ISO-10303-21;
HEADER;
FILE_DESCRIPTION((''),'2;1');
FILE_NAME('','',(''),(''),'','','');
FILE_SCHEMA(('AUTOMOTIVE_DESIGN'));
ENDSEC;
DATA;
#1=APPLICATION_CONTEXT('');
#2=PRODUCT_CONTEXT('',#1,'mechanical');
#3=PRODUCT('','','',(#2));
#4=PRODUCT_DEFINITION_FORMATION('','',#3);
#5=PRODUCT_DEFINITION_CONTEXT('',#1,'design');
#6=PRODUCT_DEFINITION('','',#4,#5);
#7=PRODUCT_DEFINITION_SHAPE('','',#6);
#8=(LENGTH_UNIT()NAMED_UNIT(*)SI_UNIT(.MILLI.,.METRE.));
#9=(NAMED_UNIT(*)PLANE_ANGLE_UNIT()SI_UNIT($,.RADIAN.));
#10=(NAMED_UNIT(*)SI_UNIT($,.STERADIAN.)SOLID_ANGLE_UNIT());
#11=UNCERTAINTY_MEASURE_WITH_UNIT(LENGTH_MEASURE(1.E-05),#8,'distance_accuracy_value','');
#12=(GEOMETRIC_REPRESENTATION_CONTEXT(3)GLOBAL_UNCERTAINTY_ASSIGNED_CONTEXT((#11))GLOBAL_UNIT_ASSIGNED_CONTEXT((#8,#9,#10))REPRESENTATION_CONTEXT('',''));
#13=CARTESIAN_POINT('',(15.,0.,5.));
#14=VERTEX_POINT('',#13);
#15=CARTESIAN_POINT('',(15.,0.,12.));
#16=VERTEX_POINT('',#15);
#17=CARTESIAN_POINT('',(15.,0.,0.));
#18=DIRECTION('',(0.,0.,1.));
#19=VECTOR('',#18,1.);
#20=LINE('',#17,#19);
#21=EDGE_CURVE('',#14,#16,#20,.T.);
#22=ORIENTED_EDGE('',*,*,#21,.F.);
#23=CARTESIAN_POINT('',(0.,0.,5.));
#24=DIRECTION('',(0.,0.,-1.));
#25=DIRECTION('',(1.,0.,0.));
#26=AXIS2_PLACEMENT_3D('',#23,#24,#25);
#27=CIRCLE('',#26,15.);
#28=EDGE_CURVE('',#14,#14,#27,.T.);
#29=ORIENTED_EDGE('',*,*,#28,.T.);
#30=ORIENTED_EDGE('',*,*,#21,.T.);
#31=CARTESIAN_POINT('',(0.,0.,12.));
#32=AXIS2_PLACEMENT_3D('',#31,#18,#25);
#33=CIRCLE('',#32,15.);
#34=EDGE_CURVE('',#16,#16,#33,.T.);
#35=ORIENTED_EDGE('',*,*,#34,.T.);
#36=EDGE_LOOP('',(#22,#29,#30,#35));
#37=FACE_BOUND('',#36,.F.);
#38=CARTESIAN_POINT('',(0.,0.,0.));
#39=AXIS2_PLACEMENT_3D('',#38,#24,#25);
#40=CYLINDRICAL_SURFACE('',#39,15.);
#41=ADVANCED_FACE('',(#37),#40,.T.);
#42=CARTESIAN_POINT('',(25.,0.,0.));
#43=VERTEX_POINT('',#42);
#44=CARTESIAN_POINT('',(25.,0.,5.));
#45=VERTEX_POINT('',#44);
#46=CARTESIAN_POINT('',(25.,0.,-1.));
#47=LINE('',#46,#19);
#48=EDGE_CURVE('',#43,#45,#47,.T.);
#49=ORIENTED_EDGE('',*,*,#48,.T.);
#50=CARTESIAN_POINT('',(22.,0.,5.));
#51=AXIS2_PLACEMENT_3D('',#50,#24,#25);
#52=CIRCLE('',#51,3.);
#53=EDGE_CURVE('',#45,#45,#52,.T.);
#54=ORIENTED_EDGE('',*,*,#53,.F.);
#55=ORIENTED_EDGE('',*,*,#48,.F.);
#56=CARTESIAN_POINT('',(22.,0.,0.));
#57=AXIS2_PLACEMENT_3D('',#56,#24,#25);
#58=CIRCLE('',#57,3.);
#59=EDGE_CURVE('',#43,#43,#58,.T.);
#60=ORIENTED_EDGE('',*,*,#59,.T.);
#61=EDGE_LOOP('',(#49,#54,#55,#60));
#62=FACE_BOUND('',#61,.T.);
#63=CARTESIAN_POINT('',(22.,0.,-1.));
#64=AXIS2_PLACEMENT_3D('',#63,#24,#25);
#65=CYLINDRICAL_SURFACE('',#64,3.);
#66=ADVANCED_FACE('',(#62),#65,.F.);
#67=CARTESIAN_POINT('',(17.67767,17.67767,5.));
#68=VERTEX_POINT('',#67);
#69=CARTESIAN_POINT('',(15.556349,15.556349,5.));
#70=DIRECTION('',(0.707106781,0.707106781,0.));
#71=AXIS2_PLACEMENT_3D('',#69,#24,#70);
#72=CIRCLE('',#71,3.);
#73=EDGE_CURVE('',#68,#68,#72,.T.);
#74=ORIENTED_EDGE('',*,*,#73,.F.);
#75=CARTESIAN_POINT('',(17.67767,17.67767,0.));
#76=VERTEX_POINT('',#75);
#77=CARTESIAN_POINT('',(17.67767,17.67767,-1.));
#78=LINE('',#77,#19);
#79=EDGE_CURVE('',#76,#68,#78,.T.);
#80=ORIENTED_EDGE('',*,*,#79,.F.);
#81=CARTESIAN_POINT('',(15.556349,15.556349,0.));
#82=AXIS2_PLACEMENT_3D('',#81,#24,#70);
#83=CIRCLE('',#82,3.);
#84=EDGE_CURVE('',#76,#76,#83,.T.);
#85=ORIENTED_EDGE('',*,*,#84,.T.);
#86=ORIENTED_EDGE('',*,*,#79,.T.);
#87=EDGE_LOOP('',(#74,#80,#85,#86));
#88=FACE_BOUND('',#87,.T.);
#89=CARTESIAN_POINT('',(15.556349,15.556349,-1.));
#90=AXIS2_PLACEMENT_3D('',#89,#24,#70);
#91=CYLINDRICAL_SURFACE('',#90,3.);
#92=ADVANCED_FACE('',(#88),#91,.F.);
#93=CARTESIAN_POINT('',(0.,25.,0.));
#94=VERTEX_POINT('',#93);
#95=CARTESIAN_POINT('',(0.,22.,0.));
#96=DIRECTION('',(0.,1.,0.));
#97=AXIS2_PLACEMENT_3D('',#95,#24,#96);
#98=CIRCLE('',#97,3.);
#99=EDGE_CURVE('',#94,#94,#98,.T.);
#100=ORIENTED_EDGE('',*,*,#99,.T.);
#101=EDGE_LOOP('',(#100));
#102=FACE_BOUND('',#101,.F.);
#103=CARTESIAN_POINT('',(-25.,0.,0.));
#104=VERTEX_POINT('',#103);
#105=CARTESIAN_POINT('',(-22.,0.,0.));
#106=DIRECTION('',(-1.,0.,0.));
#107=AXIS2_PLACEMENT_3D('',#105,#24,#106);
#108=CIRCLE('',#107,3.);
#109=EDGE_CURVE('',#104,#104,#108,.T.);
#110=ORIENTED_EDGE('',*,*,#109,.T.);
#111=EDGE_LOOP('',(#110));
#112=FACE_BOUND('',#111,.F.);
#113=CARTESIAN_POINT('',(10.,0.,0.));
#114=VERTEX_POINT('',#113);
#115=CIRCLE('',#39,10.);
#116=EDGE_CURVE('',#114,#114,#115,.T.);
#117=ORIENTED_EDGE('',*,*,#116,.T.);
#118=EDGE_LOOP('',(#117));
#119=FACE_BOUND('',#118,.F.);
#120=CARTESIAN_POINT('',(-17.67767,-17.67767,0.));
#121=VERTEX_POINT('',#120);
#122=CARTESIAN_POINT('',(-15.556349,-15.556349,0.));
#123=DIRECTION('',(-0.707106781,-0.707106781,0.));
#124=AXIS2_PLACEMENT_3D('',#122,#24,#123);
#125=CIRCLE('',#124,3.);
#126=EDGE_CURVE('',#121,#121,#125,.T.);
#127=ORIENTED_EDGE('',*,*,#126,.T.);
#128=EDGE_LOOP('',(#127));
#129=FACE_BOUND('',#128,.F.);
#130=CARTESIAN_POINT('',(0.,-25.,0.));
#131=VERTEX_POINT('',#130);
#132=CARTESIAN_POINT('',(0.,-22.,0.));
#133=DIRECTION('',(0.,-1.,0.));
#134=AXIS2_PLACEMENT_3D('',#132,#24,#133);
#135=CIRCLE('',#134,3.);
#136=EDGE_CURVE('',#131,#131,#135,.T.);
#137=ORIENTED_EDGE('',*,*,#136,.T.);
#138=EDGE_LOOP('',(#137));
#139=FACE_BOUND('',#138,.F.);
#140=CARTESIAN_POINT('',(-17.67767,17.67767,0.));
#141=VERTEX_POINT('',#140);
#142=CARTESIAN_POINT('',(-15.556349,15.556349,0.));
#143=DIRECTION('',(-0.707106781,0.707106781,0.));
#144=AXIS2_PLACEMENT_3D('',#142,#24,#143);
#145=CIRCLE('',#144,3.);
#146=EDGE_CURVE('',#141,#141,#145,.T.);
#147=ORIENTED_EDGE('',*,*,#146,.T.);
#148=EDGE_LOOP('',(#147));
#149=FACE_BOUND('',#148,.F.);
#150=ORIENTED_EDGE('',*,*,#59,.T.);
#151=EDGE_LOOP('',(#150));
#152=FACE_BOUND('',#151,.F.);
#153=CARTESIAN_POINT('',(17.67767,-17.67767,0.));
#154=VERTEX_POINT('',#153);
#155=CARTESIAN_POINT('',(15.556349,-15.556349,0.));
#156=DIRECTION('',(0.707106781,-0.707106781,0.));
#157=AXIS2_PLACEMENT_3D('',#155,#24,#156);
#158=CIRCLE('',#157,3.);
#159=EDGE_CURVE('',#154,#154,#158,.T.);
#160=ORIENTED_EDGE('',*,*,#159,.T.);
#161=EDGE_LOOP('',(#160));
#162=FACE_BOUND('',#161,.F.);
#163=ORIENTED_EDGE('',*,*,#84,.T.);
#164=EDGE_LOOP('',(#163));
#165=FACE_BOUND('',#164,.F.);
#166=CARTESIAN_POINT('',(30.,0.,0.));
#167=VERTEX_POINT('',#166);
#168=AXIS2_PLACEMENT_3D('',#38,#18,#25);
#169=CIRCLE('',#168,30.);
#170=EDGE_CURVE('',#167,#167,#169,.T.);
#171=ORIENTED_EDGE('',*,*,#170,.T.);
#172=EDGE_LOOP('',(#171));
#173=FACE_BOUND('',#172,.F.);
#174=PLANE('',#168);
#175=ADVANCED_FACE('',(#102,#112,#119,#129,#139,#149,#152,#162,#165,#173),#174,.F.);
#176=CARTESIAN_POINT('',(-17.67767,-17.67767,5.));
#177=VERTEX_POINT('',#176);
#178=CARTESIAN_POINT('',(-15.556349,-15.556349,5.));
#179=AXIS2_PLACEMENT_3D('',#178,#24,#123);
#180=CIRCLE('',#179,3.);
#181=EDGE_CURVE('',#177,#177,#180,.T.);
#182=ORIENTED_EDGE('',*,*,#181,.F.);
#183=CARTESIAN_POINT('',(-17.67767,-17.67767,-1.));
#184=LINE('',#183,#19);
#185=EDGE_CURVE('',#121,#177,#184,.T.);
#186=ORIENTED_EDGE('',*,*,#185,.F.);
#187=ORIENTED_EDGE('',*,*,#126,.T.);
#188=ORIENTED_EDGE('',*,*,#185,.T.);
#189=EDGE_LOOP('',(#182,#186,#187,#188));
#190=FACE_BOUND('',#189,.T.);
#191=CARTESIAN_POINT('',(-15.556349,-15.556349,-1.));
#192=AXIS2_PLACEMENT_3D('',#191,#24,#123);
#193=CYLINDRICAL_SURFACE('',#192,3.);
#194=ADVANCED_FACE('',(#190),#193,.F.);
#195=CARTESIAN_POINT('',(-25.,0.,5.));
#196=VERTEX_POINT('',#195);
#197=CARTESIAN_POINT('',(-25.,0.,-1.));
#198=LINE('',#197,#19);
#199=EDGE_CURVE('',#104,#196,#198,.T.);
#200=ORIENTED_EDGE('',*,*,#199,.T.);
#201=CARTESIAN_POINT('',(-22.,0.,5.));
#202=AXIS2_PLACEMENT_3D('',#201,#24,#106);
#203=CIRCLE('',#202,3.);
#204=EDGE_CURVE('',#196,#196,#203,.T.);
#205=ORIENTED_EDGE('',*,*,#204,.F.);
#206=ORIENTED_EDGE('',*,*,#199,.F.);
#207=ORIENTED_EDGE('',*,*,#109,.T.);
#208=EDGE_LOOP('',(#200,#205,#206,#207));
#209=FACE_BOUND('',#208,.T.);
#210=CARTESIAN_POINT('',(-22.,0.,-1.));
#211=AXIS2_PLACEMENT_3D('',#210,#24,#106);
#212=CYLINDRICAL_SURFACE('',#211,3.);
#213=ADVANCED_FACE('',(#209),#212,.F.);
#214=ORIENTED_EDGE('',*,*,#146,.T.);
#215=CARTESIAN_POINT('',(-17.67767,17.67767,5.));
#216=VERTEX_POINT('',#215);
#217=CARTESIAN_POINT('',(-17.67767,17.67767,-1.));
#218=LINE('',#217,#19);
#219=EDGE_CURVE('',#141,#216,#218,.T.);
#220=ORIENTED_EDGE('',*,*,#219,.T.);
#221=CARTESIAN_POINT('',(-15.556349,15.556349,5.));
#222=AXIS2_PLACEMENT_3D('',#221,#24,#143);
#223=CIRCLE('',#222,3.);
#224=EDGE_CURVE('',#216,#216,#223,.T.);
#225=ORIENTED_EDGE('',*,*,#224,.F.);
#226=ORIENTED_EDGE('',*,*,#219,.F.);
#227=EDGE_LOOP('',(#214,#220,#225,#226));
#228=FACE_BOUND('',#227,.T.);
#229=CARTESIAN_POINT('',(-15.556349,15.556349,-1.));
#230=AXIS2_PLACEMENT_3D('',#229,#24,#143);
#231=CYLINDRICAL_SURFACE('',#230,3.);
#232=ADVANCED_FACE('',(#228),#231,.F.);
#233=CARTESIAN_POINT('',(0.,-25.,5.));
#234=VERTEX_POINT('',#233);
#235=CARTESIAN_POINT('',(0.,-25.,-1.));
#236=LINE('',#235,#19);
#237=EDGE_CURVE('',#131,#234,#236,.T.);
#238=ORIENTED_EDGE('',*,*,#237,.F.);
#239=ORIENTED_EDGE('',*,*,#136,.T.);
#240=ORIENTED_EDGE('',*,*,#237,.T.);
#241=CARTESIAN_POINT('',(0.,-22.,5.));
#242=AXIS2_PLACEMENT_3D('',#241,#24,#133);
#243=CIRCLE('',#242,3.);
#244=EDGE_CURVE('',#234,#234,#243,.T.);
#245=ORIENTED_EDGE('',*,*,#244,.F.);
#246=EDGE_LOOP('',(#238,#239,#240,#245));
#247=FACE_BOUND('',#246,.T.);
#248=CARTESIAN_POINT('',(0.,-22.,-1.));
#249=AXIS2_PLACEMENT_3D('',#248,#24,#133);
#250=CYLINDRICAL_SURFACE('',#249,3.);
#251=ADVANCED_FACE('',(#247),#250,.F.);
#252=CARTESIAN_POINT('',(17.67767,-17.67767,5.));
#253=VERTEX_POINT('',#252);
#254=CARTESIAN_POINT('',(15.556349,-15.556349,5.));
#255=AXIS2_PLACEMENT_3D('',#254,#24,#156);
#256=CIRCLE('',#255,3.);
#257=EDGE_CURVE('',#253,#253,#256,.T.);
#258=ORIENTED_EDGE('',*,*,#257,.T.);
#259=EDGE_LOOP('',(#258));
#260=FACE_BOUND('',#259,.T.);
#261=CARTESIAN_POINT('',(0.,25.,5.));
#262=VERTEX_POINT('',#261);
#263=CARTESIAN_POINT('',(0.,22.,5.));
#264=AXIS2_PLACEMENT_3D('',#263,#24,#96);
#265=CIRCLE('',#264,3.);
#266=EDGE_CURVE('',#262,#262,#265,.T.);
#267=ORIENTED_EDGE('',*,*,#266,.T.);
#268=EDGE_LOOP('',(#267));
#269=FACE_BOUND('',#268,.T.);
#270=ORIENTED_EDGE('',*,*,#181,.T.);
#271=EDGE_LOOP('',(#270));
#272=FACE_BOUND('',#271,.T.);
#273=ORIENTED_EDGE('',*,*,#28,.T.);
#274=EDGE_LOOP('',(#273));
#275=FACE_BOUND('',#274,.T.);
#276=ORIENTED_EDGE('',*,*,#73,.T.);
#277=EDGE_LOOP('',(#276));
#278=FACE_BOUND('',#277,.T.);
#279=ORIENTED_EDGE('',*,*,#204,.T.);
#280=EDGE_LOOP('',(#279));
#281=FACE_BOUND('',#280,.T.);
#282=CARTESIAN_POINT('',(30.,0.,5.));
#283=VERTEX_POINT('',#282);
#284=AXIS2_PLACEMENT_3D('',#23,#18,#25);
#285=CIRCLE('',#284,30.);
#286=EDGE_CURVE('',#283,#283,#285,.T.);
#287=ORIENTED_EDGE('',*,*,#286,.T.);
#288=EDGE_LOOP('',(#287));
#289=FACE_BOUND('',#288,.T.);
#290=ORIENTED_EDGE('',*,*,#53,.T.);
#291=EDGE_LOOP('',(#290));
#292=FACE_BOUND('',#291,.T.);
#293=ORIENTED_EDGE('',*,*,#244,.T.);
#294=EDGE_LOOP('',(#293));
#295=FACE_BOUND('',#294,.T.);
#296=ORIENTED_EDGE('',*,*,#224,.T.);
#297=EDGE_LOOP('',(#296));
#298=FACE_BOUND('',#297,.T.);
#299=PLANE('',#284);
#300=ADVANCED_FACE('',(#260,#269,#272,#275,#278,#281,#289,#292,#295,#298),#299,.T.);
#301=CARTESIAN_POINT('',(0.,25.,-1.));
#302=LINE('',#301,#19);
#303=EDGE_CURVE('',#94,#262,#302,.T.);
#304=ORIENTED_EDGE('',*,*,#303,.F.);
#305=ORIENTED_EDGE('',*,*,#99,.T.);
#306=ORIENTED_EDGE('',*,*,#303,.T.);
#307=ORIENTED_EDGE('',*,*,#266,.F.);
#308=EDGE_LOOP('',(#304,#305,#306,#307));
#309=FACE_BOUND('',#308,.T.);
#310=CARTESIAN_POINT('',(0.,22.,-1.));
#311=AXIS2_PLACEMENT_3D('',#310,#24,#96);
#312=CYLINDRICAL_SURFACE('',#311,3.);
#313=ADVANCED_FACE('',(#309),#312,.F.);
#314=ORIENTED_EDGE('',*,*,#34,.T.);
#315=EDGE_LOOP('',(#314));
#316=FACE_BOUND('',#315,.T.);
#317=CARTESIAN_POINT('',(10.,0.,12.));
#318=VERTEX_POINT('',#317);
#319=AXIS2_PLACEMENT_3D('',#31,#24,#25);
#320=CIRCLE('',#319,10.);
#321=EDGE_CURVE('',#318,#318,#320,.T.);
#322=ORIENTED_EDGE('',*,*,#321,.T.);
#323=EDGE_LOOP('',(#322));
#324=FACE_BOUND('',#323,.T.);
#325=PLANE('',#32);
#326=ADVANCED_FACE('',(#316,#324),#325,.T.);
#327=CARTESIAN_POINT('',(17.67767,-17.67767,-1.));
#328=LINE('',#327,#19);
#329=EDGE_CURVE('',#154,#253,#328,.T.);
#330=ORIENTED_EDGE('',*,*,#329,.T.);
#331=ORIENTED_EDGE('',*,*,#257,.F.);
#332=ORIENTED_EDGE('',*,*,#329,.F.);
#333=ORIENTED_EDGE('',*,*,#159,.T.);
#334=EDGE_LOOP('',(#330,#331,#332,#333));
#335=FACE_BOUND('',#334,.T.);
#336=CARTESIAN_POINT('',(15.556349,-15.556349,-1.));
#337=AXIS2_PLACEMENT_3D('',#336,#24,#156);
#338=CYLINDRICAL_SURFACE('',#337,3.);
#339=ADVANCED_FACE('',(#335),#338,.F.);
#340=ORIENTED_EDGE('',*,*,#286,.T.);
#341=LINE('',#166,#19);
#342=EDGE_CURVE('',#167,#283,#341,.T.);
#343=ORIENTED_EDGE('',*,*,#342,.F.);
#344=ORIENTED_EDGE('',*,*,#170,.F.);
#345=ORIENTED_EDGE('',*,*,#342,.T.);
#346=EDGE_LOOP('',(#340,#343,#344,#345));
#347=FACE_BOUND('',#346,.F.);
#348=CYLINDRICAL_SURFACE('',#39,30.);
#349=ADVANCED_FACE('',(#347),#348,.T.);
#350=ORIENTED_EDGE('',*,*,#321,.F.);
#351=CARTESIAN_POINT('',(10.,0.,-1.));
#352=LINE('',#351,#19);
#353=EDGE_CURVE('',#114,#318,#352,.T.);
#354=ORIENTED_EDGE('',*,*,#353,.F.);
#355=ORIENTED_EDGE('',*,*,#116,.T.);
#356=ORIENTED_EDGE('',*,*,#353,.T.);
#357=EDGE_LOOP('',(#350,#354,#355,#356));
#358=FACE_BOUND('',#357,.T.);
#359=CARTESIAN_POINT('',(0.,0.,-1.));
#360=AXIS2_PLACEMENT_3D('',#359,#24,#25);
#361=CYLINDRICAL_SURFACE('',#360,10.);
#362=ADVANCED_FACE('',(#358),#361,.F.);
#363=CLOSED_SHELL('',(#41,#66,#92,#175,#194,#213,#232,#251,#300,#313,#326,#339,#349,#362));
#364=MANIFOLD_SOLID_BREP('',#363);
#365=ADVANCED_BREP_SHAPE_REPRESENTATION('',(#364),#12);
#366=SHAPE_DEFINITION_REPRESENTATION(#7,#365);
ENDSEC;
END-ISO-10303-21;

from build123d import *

# Parameters (mm, degrees)
CYLINDER003_R     = 3
CYLINDER003_DEPTH = 10
ARRAY001_COUNT    = 8
CYLINDER002_R     = 10
CYLINDER002_DEPTH = 30
CYLINDER001_R     = 30
CYLINDER001_DEPTH = 5
CYLINDER_R        = 15
CYLINDER_DEPTH    = 12


with BuildPart() as array001:
    # Cylinder003 → Cylinder003 (new body)
    with BuildSketch(Plane(origin=(22, 0, -1), x_dir=(1, 0, 0), z_dir=(0, 0, 1))):
        Circle(CYLINDER003_R)
    extrude(amount=CYLINDER003_DEPTH)

    # Array001: Array001 ×8 about axis
    array001_axis = Axis((0, 0, 0), (0, 0, 1))


with BuildPart() as array001_1:
    add(array001.part)
    for i in range(1, ARRAY001_COUNT):
        add(array001.part.rotate(array001_axis, i * 360 / ARRAY001_COUNT))


with BuildPart() as tubo_interior:
    # Cylinder002 → Cylinder002 (new body)
    with BuildSketch(Plane.XY.offset(-1)):
        Circle(CYLINDER002_R)
    extrude(amount=CYLINDER002_DEPTH)


with BuildPart() as tubo:
    # Cylinder001 → Cylinder001 (new body)
    with BuildSketch(Plane.XY):
        Circle(CYLINDER001_R)
    extrude(amount=CYLINDER001_DEPTH)


with BuildPart() as cut002:
    # Cylinder → Cylinder (new body)
    with BuildSketch(Plane.XY):
        Circle(CYLINDER_R)
    extrude(amount=CYLINDER_DEPTH)

    # Fusion: union Tubo
    add(tubo.part)

    # Cut: cut Tubo interior
    add(tubo_interior.part, mode=Mode.SUBTRACT)

    # Cut002: cut Array001
    add(array001_1.part, mode=Mode.SUBTRACT)


solid = cut002.part
